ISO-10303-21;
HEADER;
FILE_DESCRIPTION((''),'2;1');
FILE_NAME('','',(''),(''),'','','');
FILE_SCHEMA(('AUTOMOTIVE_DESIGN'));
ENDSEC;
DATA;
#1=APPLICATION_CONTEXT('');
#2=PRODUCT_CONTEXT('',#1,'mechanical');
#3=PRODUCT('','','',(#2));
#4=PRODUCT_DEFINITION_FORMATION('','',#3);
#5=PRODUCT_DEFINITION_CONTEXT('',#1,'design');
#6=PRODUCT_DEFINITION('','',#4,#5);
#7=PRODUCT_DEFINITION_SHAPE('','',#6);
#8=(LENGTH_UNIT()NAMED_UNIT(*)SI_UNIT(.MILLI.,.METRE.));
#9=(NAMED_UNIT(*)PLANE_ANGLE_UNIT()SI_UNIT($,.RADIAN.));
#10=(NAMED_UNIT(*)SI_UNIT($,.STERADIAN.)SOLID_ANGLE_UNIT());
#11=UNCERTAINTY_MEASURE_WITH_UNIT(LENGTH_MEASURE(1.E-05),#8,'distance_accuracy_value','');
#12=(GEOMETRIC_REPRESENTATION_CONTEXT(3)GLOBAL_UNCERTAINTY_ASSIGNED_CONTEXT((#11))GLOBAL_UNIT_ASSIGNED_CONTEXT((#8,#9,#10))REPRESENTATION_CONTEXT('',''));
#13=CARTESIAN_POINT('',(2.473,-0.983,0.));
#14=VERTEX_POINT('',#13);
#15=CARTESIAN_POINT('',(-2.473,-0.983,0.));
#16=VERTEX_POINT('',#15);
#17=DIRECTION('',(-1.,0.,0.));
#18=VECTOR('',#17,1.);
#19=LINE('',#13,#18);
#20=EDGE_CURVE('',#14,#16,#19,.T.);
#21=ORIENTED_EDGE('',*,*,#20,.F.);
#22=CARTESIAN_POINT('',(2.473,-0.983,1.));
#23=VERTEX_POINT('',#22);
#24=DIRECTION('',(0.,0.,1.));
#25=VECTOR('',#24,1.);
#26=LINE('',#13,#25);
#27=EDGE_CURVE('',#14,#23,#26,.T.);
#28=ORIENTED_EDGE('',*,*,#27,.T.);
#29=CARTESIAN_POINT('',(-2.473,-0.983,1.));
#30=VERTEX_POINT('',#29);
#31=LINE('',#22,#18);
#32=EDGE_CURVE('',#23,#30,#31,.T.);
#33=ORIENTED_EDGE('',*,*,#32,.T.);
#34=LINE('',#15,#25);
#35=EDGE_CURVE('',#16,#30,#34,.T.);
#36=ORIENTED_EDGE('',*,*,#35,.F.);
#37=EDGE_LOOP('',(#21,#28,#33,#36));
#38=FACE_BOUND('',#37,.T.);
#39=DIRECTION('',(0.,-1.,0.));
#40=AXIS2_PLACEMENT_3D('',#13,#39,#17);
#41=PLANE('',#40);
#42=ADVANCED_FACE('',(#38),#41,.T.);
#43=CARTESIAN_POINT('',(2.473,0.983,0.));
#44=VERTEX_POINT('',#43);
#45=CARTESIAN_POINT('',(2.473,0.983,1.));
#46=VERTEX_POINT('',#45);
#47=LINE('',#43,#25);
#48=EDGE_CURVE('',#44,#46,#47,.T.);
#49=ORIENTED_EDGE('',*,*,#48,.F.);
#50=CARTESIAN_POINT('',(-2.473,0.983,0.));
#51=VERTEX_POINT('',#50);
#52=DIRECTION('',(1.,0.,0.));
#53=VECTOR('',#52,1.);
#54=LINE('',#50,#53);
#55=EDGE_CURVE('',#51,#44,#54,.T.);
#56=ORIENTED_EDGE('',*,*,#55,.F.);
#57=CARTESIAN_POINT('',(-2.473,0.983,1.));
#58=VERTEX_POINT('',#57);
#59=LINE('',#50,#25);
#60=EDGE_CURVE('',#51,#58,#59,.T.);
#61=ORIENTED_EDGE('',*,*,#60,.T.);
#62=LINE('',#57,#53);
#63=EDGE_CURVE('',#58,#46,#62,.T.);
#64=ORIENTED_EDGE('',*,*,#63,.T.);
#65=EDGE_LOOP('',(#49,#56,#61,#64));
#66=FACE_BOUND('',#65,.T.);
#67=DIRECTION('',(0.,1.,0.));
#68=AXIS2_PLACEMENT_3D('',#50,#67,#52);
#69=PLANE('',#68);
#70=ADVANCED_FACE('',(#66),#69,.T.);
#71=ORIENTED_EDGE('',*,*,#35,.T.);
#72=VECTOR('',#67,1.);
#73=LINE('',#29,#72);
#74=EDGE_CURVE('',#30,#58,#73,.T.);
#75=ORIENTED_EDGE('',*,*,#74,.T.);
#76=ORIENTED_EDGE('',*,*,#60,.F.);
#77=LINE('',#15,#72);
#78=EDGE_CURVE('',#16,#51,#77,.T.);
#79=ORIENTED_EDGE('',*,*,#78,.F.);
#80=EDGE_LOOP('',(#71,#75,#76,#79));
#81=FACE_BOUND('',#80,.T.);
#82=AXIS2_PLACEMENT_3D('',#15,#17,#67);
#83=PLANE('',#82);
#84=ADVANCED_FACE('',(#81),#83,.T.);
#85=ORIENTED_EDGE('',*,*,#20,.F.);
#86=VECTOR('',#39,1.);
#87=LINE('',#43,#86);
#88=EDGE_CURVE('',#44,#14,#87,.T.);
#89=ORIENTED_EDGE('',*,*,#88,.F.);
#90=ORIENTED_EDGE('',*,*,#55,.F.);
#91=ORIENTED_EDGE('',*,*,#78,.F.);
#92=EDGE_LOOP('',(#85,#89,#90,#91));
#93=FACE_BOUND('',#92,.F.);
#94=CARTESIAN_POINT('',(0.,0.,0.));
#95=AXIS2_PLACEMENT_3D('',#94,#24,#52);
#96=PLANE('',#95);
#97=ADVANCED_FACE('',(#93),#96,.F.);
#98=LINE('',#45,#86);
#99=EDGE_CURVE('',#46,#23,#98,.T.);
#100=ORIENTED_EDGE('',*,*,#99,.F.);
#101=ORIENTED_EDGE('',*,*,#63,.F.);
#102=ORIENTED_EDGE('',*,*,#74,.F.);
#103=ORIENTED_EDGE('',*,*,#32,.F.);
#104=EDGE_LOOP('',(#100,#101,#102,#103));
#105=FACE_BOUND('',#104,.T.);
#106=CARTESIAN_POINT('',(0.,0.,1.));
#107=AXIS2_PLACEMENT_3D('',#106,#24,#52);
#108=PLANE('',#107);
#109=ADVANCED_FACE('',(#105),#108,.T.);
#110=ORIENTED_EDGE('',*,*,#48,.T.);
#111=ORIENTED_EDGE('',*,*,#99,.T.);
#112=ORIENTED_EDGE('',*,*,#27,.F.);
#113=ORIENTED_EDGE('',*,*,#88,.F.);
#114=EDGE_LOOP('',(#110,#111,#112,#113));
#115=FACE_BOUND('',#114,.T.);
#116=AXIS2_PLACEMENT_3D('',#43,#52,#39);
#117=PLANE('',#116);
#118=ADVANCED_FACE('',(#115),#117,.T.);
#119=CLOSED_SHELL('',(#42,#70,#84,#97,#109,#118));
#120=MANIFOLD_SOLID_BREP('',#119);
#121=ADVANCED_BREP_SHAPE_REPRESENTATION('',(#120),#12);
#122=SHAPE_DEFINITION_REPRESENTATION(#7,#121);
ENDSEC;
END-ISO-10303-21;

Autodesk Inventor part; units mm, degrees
ref_plane "YZ Plane" through (0, 0, 0) normal (1, 0, 0) x (0, 1, 0)
ref_plane "XZ Plane" through (0, 0, 0) normal (0, 1, 0) x (-1, 0, 0)
ref_plane "XY Plane" through (0, 0, 0) normal (0, 0, 1) x (1, 0, 0)
sketch "R3216, 10K_109" plane through (0, 0, 0) normal (0, 0, 1) x (1, 0, 0)
  line L0 (-2.473, 0.983) -> (2.473, 0.983)
  line L1 (2.473, 0.983) -> (2.473, -0.983)
  line L2 (2.473, -0.983) -> (-2.473, -0.983)
  line L3 (-2.473, -0.983) -> (-2.473, 0.983)
extrude "Extrusion1" add sketch "R3216, 10K_109" along normal blind 1
properties part number "10K"
